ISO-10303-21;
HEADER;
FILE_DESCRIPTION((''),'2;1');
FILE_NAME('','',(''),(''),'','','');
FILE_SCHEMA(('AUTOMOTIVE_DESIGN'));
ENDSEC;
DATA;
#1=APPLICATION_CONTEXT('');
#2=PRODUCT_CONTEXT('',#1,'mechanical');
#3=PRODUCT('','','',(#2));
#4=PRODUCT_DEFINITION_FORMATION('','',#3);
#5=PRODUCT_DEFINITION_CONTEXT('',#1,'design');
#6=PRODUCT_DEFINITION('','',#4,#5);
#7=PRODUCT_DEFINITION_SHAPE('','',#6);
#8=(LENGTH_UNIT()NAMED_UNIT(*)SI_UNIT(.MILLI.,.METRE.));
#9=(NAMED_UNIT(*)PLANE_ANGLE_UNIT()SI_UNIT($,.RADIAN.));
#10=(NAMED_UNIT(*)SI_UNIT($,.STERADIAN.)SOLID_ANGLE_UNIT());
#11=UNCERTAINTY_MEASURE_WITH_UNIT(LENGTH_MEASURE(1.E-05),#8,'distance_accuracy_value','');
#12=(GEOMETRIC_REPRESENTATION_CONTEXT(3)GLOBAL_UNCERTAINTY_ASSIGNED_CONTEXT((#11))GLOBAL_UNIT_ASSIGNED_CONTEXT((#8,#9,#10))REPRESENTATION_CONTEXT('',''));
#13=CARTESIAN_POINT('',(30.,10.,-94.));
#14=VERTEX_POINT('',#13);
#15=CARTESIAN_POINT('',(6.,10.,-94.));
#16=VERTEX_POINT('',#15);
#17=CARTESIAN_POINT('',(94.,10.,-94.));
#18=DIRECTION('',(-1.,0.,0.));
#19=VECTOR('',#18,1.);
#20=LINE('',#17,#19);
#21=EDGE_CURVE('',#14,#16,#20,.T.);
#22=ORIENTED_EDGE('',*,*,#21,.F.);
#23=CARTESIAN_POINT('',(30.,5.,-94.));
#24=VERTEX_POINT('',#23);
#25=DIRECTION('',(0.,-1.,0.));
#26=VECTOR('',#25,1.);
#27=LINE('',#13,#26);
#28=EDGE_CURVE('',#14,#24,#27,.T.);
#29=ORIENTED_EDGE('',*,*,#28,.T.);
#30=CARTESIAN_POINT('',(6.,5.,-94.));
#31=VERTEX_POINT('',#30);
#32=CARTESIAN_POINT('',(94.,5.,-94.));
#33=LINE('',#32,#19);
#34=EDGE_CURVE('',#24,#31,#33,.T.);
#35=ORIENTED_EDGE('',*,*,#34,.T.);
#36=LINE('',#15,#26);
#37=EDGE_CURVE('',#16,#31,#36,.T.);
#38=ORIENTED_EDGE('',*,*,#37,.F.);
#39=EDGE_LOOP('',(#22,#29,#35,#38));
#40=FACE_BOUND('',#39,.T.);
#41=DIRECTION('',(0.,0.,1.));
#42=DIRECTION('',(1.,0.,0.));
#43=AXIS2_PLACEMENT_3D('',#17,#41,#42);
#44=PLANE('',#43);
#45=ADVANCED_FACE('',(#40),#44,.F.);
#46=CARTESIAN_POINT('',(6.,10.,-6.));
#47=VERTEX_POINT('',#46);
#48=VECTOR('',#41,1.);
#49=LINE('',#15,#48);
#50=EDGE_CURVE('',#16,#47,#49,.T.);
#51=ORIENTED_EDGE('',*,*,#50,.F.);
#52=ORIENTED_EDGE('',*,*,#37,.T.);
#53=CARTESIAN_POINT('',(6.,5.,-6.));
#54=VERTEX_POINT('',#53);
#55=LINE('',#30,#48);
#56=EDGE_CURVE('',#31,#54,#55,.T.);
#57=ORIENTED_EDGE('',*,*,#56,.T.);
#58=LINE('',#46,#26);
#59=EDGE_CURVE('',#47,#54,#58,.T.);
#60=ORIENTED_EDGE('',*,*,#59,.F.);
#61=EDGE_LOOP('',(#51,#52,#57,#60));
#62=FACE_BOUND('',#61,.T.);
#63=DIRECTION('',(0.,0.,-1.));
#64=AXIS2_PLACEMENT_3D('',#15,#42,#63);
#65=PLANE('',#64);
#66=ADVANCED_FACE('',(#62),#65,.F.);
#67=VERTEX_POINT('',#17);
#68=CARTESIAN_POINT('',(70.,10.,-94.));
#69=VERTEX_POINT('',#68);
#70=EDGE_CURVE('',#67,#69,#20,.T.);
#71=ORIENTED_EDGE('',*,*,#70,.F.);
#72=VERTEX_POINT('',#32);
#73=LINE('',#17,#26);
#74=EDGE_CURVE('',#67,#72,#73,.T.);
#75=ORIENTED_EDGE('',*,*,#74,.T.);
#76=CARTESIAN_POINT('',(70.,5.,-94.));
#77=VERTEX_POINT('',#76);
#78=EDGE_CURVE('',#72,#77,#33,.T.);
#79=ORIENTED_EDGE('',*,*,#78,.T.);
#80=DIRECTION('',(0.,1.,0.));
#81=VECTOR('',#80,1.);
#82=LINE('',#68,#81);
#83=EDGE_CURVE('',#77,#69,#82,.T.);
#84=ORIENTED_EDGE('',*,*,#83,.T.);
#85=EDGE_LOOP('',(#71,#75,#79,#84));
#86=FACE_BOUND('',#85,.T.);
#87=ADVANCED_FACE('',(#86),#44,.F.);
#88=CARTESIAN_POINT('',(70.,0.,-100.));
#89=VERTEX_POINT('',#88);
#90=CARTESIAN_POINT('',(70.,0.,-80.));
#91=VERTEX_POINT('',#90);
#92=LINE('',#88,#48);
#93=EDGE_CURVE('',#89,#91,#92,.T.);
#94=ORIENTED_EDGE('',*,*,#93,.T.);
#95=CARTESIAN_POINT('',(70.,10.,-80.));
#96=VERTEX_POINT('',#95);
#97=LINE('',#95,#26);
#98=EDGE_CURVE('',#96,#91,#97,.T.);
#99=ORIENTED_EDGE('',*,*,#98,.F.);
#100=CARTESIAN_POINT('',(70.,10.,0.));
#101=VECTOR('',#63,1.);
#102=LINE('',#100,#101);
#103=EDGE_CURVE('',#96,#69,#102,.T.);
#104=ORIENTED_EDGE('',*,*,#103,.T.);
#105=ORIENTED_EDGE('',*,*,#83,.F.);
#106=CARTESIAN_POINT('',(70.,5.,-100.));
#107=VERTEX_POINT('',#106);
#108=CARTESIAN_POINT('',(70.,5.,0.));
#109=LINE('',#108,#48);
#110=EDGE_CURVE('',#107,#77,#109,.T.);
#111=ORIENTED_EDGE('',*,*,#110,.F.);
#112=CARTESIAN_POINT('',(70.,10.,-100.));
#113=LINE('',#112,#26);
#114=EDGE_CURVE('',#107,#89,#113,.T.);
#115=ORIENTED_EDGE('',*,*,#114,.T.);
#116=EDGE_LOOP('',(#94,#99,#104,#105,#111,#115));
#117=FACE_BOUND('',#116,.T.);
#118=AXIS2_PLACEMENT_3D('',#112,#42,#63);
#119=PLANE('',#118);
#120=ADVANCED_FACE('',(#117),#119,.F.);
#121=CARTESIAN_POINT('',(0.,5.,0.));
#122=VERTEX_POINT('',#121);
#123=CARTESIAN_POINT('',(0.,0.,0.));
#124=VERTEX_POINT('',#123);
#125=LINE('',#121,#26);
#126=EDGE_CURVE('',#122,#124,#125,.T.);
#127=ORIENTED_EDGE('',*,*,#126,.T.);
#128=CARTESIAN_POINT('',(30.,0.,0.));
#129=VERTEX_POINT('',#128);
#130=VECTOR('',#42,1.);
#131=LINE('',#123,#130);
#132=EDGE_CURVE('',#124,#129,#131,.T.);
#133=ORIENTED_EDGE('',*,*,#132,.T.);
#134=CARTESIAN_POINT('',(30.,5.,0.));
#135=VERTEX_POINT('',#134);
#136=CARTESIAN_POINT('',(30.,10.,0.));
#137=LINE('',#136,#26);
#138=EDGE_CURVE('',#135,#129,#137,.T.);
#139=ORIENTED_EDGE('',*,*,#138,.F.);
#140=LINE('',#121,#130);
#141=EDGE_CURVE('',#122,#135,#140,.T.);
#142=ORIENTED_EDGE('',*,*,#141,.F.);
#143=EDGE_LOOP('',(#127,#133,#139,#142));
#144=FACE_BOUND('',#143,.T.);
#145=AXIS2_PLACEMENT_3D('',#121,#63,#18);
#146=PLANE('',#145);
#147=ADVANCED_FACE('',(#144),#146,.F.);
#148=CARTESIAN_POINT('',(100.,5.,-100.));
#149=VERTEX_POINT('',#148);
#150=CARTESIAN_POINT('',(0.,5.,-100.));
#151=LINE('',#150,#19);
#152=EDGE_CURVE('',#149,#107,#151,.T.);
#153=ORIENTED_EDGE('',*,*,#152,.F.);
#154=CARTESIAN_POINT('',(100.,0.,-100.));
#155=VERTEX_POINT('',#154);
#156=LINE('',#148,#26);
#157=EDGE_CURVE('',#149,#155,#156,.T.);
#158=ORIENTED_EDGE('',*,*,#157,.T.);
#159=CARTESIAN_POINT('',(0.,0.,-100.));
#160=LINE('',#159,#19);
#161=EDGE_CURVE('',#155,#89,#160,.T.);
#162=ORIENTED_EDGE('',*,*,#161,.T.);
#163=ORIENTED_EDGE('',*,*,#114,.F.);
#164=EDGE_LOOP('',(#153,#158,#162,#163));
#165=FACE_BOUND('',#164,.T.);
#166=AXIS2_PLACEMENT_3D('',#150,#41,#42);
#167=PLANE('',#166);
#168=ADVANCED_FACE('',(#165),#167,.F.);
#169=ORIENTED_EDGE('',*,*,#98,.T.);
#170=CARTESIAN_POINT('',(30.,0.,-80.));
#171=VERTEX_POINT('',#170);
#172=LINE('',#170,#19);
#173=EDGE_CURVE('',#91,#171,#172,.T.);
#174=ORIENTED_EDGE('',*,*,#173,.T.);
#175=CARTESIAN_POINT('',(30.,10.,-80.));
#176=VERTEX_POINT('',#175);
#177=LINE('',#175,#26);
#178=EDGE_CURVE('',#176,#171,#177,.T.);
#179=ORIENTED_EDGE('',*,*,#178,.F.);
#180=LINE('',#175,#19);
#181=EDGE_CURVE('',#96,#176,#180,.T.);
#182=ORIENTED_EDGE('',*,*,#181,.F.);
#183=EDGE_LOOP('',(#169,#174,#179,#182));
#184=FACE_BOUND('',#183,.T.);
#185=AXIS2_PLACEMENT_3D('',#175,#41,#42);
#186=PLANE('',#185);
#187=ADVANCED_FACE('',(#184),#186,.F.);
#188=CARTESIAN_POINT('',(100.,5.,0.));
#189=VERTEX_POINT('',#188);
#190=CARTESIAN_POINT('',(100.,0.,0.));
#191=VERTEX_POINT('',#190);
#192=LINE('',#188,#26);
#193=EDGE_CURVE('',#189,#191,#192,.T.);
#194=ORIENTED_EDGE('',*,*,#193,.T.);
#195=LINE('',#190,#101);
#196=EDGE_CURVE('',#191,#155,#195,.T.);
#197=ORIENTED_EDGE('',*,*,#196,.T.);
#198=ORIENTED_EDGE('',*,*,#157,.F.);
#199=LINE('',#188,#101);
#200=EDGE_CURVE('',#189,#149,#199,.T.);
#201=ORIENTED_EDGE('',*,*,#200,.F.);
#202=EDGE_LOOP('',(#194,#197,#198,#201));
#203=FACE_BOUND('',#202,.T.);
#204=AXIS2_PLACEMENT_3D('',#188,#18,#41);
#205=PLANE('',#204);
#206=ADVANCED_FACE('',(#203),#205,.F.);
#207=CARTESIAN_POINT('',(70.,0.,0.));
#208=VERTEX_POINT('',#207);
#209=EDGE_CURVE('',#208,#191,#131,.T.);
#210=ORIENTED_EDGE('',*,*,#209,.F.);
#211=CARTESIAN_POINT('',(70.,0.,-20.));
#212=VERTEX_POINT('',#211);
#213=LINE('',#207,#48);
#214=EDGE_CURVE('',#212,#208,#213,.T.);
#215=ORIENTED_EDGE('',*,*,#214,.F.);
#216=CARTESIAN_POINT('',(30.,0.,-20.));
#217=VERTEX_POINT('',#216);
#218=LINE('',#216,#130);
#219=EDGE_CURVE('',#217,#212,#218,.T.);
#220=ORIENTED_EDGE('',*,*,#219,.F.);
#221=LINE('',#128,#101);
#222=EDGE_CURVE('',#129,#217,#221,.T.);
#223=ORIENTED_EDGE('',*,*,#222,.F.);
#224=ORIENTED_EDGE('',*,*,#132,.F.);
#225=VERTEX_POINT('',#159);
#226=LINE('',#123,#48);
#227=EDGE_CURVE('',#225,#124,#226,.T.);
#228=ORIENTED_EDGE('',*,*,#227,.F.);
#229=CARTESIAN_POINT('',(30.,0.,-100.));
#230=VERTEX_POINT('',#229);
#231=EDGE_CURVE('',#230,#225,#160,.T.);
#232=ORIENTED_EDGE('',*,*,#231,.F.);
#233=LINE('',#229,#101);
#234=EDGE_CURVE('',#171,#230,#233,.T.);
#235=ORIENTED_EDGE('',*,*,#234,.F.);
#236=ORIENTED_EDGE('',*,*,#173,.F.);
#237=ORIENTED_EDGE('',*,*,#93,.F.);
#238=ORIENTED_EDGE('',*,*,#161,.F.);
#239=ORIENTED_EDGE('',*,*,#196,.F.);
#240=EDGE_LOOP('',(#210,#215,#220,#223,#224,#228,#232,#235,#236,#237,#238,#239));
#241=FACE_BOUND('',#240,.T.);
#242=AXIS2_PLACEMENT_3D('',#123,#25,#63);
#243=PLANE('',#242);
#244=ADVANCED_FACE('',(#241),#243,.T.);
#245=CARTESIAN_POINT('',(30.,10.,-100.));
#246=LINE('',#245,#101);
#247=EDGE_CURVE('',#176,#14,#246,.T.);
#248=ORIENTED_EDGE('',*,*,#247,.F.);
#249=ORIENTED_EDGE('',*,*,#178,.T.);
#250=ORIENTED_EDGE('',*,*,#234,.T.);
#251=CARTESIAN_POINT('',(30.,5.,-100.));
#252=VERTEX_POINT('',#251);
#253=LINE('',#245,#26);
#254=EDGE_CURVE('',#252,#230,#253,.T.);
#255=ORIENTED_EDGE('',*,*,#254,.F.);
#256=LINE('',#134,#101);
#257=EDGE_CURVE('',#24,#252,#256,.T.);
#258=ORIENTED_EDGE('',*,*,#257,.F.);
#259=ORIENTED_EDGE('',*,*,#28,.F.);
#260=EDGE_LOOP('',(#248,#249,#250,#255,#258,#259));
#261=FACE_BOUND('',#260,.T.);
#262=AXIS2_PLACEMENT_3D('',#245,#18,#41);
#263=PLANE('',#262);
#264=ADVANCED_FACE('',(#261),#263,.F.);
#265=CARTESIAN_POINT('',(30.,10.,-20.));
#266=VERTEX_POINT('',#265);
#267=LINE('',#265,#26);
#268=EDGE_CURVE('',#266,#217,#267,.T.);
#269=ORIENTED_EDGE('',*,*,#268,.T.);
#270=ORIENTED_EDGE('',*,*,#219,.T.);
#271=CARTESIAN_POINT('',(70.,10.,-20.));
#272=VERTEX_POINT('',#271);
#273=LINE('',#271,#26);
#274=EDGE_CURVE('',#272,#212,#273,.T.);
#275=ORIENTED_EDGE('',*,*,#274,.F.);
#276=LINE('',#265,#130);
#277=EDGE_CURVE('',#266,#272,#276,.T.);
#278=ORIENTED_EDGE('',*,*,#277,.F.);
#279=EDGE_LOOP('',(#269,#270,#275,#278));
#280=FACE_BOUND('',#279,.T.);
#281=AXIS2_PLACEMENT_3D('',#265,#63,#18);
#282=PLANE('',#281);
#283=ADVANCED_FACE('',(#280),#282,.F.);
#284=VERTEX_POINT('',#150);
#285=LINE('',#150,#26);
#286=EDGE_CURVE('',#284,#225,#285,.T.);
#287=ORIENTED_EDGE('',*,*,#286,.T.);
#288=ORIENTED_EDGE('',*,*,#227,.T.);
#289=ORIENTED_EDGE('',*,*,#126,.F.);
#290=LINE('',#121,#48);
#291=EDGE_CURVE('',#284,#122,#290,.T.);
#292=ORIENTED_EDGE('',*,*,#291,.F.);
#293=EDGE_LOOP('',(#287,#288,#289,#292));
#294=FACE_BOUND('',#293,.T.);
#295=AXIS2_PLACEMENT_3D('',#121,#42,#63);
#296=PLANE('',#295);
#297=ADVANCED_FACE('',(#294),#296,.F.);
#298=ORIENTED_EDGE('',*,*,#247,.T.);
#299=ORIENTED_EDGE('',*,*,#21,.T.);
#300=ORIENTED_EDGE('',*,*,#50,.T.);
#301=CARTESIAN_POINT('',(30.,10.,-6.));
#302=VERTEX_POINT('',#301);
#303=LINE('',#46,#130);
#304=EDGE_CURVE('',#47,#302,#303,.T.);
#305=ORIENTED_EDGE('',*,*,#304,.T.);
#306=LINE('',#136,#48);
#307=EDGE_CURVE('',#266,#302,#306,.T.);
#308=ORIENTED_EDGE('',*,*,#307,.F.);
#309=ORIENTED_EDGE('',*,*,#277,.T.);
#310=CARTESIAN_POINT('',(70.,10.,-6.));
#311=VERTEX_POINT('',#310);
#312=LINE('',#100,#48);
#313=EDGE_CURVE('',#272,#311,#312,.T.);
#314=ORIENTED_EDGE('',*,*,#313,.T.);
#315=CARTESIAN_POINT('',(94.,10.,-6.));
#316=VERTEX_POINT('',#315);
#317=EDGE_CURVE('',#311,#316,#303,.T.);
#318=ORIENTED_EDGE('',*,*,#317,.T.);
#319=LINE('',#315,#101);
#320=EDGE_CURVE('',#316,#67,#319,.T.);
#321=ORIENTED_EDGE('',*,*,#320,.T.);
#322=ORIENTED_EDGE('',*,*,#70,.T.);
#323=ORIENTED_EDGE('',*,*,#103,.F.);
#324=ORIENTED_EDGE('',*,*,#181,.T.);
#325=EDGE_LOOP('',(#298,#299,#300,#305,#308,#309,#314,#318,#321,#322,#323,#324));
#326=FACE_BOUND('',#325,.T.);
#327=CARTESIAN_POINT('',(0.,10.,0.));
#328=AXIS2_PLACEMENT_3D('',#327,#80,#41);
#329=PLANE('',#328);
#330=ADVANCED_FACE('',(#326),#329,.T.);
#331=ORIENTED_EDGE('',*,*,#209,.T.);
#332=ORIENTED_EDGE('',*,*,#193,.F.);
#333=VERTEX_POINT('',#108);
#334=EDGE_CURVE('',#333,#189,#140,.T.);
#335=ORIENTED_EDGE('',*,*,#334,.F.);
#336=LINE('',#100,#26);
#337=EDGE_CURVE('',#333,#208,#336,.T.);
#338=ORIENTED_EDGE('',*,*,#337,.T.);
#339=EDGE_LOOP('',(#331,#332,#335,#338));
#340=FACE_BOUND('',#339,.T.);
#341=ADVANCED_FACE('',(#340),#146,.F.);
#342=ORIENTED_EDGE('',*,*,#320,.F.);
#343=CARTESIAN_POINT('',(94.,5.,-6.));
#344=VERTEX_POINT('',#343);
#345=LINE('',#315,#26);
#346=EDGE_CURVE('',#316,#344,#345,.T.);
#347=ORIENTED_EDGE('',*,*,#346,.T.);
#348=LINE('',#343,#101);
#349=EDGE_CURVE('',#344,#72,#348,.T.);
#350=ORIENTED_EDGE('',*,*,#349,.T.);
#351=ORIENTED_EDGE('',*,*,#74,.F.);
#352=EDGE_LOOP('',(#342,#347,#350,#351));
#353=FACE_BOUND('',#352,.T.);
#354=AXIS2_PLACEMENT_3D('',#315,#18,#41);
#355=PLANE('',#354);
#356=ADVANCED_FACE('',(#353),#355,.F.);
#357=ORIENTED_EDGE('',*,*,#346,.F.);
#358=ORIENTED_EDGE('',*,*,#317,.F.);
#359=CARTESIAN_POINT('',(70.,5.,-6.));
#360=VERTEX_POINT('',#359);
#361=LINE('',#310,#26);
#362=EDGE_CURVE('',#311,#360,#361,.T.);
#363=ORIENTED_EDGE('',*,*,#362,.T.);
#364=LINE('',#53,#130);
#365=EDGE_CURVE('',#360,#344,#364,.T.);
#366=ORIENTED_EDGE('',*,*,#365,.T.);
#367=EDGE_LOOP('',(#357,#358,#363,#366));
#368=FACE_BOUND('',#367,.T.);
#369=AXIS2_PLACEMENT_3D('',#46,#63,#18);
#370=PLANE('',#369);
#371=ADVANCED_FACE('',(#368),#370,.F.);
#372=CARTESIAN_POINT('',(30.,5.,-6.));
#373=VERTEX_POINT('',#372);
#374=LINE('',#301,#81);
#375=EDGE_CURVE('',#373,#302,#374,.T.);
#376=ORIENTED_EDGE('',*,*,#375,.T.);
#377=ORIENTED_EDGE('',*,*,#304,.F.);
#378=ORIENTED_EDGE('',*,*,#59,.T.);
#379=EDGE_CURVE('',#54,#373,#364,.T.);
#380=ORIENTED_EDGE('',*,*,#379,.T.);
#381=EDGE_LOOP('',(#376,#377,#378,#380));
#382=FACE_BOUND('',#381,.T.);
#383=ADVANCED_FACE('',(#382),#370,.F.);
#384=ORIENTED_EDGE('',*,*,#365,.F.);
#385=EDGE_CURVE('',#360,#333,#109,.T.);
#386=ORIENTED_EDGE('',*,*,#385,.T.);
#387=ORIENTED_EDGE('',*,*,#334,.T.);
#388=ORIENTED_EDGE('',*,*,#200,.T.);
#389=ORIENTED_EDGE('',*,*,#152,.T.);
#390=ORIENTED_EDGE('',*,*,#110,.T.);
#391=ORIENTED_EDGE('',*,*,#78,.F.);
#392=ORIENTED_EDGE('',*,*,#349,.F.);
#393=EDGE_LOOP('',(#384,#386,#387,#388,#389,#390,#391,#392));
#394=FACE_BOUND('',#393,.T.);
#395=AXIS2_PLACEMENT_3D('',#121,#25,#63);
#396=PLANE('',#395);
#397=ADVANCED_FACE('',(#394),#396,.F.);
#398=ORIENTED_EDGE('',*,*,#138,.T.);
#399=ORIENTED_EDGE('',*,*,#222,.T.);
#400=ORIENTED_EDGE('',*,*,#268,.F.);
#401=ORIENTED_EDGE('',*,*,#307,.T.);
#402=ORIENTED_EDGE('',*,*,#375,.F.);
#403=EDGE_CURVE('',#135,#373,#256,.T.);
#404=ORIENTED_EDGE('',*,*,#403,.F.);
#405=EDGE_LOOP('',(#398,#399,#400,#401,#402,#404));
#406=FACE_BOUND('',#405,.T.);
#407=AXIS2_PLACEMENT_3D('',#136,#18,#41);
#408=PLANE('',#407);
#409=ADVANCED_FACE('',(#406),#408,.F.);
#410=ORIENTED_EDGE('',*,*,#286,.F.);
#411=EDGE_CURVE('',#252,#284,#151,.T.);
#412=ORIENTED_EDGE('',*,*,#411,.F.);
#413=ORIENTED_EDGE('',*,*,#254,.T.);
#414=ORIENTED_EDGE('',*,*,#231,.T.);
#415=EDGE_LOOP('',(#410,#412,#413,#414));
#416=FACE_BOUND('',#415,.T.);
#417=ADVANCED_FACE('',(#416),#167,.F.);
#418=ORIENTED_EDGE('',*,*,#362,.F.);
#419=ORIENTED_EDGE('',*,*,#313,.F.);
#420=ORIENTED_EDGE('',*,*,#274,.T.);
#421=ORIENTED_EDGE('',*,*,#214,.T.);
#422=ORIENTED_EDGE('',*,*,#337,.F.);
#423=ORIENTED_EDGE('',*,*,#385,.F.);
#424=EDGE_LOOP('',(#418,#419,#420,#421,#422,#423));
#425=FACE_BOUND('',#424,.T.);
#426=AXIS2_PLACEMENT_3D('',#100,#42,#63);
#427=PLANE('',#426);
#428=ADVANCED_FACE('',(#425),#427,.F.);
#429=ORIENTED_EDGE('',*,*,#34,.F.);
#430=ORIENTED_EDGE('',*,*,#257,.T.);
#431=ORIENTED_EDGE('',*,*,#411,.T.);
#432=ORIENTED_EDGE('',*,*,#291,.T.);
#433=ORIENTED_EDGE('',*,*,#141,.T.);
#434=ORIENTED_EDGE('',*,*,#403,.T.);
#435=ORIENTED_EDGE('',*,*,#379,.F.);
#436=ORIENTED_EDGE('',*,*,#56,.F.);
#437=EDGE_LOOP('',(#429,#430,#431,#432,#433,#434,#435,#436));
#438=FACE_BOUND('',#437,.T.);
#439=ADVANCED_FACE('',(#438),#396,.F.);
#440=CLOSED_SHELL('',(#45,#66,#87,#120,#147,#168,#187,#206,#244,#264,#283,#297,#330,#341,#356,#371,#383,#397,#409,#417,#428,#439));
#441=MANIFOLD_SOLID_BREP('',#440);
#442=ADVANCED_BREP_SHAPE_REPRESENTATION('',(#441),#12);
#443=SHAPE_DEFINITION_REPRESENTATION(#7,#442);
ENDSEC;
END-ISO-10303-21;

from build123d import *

# Parameters (mm, degrees)
SKETCH1_W           = 100
SKETCH1_H           = 100
BOSS_EXTRUDE1_DEPTH = 5
SKETCH2_W           = 88
SKETCH2_H           = 88
BOSS_EXTRUDE2_DEPTH = 5
SKETCH3_W           = 40
SKETCH3_H           = 20
CUT_EXTRUDE1_DEPTH  = 10


with BuildPart() as part:
    # Sketch1 → Boss-Extrude1 (new body)
    with BuildSketch(Plane(origin=(0, 0, 0), x_dir=(1, 0, 0), z_dir=(0, 1, 0))):
        with Locations((50, 50)):
            Rectangle(SKETCH1_W, SKETCH1_H)
    extrude(amount=BOSS_EXTRUDE1_DEPTH)

    # Sketch2 → Boss-Extrude2 (add)
    with BuildSketch(Plane(origin=(0, 5, 0), x_dir=(1, 0, 0), z_dir=(0, 1, 0))):
        with Locations((50, 50)):
            Rectangle(SKETCH2_W, SKETCH2_H)
    extrude(amount=BOSS_EXTRUDE2_DEPTH)

    # Sketch3 → Cut-Extrude1 (cut)
    with BuildSketch(Plane.XZ):
        with Locations((50, -90)):
            Rectangle(SKETCH3_W, SKETCH3_H)
        with Locations((50, -10)):
            Rectangle(SKETCH3_W, SKETCH3_H)
    extrude(amount=-CUT_EXTRUDE1_DEPTH, mode=Mode.SUBTRACT)


solid = part.part
